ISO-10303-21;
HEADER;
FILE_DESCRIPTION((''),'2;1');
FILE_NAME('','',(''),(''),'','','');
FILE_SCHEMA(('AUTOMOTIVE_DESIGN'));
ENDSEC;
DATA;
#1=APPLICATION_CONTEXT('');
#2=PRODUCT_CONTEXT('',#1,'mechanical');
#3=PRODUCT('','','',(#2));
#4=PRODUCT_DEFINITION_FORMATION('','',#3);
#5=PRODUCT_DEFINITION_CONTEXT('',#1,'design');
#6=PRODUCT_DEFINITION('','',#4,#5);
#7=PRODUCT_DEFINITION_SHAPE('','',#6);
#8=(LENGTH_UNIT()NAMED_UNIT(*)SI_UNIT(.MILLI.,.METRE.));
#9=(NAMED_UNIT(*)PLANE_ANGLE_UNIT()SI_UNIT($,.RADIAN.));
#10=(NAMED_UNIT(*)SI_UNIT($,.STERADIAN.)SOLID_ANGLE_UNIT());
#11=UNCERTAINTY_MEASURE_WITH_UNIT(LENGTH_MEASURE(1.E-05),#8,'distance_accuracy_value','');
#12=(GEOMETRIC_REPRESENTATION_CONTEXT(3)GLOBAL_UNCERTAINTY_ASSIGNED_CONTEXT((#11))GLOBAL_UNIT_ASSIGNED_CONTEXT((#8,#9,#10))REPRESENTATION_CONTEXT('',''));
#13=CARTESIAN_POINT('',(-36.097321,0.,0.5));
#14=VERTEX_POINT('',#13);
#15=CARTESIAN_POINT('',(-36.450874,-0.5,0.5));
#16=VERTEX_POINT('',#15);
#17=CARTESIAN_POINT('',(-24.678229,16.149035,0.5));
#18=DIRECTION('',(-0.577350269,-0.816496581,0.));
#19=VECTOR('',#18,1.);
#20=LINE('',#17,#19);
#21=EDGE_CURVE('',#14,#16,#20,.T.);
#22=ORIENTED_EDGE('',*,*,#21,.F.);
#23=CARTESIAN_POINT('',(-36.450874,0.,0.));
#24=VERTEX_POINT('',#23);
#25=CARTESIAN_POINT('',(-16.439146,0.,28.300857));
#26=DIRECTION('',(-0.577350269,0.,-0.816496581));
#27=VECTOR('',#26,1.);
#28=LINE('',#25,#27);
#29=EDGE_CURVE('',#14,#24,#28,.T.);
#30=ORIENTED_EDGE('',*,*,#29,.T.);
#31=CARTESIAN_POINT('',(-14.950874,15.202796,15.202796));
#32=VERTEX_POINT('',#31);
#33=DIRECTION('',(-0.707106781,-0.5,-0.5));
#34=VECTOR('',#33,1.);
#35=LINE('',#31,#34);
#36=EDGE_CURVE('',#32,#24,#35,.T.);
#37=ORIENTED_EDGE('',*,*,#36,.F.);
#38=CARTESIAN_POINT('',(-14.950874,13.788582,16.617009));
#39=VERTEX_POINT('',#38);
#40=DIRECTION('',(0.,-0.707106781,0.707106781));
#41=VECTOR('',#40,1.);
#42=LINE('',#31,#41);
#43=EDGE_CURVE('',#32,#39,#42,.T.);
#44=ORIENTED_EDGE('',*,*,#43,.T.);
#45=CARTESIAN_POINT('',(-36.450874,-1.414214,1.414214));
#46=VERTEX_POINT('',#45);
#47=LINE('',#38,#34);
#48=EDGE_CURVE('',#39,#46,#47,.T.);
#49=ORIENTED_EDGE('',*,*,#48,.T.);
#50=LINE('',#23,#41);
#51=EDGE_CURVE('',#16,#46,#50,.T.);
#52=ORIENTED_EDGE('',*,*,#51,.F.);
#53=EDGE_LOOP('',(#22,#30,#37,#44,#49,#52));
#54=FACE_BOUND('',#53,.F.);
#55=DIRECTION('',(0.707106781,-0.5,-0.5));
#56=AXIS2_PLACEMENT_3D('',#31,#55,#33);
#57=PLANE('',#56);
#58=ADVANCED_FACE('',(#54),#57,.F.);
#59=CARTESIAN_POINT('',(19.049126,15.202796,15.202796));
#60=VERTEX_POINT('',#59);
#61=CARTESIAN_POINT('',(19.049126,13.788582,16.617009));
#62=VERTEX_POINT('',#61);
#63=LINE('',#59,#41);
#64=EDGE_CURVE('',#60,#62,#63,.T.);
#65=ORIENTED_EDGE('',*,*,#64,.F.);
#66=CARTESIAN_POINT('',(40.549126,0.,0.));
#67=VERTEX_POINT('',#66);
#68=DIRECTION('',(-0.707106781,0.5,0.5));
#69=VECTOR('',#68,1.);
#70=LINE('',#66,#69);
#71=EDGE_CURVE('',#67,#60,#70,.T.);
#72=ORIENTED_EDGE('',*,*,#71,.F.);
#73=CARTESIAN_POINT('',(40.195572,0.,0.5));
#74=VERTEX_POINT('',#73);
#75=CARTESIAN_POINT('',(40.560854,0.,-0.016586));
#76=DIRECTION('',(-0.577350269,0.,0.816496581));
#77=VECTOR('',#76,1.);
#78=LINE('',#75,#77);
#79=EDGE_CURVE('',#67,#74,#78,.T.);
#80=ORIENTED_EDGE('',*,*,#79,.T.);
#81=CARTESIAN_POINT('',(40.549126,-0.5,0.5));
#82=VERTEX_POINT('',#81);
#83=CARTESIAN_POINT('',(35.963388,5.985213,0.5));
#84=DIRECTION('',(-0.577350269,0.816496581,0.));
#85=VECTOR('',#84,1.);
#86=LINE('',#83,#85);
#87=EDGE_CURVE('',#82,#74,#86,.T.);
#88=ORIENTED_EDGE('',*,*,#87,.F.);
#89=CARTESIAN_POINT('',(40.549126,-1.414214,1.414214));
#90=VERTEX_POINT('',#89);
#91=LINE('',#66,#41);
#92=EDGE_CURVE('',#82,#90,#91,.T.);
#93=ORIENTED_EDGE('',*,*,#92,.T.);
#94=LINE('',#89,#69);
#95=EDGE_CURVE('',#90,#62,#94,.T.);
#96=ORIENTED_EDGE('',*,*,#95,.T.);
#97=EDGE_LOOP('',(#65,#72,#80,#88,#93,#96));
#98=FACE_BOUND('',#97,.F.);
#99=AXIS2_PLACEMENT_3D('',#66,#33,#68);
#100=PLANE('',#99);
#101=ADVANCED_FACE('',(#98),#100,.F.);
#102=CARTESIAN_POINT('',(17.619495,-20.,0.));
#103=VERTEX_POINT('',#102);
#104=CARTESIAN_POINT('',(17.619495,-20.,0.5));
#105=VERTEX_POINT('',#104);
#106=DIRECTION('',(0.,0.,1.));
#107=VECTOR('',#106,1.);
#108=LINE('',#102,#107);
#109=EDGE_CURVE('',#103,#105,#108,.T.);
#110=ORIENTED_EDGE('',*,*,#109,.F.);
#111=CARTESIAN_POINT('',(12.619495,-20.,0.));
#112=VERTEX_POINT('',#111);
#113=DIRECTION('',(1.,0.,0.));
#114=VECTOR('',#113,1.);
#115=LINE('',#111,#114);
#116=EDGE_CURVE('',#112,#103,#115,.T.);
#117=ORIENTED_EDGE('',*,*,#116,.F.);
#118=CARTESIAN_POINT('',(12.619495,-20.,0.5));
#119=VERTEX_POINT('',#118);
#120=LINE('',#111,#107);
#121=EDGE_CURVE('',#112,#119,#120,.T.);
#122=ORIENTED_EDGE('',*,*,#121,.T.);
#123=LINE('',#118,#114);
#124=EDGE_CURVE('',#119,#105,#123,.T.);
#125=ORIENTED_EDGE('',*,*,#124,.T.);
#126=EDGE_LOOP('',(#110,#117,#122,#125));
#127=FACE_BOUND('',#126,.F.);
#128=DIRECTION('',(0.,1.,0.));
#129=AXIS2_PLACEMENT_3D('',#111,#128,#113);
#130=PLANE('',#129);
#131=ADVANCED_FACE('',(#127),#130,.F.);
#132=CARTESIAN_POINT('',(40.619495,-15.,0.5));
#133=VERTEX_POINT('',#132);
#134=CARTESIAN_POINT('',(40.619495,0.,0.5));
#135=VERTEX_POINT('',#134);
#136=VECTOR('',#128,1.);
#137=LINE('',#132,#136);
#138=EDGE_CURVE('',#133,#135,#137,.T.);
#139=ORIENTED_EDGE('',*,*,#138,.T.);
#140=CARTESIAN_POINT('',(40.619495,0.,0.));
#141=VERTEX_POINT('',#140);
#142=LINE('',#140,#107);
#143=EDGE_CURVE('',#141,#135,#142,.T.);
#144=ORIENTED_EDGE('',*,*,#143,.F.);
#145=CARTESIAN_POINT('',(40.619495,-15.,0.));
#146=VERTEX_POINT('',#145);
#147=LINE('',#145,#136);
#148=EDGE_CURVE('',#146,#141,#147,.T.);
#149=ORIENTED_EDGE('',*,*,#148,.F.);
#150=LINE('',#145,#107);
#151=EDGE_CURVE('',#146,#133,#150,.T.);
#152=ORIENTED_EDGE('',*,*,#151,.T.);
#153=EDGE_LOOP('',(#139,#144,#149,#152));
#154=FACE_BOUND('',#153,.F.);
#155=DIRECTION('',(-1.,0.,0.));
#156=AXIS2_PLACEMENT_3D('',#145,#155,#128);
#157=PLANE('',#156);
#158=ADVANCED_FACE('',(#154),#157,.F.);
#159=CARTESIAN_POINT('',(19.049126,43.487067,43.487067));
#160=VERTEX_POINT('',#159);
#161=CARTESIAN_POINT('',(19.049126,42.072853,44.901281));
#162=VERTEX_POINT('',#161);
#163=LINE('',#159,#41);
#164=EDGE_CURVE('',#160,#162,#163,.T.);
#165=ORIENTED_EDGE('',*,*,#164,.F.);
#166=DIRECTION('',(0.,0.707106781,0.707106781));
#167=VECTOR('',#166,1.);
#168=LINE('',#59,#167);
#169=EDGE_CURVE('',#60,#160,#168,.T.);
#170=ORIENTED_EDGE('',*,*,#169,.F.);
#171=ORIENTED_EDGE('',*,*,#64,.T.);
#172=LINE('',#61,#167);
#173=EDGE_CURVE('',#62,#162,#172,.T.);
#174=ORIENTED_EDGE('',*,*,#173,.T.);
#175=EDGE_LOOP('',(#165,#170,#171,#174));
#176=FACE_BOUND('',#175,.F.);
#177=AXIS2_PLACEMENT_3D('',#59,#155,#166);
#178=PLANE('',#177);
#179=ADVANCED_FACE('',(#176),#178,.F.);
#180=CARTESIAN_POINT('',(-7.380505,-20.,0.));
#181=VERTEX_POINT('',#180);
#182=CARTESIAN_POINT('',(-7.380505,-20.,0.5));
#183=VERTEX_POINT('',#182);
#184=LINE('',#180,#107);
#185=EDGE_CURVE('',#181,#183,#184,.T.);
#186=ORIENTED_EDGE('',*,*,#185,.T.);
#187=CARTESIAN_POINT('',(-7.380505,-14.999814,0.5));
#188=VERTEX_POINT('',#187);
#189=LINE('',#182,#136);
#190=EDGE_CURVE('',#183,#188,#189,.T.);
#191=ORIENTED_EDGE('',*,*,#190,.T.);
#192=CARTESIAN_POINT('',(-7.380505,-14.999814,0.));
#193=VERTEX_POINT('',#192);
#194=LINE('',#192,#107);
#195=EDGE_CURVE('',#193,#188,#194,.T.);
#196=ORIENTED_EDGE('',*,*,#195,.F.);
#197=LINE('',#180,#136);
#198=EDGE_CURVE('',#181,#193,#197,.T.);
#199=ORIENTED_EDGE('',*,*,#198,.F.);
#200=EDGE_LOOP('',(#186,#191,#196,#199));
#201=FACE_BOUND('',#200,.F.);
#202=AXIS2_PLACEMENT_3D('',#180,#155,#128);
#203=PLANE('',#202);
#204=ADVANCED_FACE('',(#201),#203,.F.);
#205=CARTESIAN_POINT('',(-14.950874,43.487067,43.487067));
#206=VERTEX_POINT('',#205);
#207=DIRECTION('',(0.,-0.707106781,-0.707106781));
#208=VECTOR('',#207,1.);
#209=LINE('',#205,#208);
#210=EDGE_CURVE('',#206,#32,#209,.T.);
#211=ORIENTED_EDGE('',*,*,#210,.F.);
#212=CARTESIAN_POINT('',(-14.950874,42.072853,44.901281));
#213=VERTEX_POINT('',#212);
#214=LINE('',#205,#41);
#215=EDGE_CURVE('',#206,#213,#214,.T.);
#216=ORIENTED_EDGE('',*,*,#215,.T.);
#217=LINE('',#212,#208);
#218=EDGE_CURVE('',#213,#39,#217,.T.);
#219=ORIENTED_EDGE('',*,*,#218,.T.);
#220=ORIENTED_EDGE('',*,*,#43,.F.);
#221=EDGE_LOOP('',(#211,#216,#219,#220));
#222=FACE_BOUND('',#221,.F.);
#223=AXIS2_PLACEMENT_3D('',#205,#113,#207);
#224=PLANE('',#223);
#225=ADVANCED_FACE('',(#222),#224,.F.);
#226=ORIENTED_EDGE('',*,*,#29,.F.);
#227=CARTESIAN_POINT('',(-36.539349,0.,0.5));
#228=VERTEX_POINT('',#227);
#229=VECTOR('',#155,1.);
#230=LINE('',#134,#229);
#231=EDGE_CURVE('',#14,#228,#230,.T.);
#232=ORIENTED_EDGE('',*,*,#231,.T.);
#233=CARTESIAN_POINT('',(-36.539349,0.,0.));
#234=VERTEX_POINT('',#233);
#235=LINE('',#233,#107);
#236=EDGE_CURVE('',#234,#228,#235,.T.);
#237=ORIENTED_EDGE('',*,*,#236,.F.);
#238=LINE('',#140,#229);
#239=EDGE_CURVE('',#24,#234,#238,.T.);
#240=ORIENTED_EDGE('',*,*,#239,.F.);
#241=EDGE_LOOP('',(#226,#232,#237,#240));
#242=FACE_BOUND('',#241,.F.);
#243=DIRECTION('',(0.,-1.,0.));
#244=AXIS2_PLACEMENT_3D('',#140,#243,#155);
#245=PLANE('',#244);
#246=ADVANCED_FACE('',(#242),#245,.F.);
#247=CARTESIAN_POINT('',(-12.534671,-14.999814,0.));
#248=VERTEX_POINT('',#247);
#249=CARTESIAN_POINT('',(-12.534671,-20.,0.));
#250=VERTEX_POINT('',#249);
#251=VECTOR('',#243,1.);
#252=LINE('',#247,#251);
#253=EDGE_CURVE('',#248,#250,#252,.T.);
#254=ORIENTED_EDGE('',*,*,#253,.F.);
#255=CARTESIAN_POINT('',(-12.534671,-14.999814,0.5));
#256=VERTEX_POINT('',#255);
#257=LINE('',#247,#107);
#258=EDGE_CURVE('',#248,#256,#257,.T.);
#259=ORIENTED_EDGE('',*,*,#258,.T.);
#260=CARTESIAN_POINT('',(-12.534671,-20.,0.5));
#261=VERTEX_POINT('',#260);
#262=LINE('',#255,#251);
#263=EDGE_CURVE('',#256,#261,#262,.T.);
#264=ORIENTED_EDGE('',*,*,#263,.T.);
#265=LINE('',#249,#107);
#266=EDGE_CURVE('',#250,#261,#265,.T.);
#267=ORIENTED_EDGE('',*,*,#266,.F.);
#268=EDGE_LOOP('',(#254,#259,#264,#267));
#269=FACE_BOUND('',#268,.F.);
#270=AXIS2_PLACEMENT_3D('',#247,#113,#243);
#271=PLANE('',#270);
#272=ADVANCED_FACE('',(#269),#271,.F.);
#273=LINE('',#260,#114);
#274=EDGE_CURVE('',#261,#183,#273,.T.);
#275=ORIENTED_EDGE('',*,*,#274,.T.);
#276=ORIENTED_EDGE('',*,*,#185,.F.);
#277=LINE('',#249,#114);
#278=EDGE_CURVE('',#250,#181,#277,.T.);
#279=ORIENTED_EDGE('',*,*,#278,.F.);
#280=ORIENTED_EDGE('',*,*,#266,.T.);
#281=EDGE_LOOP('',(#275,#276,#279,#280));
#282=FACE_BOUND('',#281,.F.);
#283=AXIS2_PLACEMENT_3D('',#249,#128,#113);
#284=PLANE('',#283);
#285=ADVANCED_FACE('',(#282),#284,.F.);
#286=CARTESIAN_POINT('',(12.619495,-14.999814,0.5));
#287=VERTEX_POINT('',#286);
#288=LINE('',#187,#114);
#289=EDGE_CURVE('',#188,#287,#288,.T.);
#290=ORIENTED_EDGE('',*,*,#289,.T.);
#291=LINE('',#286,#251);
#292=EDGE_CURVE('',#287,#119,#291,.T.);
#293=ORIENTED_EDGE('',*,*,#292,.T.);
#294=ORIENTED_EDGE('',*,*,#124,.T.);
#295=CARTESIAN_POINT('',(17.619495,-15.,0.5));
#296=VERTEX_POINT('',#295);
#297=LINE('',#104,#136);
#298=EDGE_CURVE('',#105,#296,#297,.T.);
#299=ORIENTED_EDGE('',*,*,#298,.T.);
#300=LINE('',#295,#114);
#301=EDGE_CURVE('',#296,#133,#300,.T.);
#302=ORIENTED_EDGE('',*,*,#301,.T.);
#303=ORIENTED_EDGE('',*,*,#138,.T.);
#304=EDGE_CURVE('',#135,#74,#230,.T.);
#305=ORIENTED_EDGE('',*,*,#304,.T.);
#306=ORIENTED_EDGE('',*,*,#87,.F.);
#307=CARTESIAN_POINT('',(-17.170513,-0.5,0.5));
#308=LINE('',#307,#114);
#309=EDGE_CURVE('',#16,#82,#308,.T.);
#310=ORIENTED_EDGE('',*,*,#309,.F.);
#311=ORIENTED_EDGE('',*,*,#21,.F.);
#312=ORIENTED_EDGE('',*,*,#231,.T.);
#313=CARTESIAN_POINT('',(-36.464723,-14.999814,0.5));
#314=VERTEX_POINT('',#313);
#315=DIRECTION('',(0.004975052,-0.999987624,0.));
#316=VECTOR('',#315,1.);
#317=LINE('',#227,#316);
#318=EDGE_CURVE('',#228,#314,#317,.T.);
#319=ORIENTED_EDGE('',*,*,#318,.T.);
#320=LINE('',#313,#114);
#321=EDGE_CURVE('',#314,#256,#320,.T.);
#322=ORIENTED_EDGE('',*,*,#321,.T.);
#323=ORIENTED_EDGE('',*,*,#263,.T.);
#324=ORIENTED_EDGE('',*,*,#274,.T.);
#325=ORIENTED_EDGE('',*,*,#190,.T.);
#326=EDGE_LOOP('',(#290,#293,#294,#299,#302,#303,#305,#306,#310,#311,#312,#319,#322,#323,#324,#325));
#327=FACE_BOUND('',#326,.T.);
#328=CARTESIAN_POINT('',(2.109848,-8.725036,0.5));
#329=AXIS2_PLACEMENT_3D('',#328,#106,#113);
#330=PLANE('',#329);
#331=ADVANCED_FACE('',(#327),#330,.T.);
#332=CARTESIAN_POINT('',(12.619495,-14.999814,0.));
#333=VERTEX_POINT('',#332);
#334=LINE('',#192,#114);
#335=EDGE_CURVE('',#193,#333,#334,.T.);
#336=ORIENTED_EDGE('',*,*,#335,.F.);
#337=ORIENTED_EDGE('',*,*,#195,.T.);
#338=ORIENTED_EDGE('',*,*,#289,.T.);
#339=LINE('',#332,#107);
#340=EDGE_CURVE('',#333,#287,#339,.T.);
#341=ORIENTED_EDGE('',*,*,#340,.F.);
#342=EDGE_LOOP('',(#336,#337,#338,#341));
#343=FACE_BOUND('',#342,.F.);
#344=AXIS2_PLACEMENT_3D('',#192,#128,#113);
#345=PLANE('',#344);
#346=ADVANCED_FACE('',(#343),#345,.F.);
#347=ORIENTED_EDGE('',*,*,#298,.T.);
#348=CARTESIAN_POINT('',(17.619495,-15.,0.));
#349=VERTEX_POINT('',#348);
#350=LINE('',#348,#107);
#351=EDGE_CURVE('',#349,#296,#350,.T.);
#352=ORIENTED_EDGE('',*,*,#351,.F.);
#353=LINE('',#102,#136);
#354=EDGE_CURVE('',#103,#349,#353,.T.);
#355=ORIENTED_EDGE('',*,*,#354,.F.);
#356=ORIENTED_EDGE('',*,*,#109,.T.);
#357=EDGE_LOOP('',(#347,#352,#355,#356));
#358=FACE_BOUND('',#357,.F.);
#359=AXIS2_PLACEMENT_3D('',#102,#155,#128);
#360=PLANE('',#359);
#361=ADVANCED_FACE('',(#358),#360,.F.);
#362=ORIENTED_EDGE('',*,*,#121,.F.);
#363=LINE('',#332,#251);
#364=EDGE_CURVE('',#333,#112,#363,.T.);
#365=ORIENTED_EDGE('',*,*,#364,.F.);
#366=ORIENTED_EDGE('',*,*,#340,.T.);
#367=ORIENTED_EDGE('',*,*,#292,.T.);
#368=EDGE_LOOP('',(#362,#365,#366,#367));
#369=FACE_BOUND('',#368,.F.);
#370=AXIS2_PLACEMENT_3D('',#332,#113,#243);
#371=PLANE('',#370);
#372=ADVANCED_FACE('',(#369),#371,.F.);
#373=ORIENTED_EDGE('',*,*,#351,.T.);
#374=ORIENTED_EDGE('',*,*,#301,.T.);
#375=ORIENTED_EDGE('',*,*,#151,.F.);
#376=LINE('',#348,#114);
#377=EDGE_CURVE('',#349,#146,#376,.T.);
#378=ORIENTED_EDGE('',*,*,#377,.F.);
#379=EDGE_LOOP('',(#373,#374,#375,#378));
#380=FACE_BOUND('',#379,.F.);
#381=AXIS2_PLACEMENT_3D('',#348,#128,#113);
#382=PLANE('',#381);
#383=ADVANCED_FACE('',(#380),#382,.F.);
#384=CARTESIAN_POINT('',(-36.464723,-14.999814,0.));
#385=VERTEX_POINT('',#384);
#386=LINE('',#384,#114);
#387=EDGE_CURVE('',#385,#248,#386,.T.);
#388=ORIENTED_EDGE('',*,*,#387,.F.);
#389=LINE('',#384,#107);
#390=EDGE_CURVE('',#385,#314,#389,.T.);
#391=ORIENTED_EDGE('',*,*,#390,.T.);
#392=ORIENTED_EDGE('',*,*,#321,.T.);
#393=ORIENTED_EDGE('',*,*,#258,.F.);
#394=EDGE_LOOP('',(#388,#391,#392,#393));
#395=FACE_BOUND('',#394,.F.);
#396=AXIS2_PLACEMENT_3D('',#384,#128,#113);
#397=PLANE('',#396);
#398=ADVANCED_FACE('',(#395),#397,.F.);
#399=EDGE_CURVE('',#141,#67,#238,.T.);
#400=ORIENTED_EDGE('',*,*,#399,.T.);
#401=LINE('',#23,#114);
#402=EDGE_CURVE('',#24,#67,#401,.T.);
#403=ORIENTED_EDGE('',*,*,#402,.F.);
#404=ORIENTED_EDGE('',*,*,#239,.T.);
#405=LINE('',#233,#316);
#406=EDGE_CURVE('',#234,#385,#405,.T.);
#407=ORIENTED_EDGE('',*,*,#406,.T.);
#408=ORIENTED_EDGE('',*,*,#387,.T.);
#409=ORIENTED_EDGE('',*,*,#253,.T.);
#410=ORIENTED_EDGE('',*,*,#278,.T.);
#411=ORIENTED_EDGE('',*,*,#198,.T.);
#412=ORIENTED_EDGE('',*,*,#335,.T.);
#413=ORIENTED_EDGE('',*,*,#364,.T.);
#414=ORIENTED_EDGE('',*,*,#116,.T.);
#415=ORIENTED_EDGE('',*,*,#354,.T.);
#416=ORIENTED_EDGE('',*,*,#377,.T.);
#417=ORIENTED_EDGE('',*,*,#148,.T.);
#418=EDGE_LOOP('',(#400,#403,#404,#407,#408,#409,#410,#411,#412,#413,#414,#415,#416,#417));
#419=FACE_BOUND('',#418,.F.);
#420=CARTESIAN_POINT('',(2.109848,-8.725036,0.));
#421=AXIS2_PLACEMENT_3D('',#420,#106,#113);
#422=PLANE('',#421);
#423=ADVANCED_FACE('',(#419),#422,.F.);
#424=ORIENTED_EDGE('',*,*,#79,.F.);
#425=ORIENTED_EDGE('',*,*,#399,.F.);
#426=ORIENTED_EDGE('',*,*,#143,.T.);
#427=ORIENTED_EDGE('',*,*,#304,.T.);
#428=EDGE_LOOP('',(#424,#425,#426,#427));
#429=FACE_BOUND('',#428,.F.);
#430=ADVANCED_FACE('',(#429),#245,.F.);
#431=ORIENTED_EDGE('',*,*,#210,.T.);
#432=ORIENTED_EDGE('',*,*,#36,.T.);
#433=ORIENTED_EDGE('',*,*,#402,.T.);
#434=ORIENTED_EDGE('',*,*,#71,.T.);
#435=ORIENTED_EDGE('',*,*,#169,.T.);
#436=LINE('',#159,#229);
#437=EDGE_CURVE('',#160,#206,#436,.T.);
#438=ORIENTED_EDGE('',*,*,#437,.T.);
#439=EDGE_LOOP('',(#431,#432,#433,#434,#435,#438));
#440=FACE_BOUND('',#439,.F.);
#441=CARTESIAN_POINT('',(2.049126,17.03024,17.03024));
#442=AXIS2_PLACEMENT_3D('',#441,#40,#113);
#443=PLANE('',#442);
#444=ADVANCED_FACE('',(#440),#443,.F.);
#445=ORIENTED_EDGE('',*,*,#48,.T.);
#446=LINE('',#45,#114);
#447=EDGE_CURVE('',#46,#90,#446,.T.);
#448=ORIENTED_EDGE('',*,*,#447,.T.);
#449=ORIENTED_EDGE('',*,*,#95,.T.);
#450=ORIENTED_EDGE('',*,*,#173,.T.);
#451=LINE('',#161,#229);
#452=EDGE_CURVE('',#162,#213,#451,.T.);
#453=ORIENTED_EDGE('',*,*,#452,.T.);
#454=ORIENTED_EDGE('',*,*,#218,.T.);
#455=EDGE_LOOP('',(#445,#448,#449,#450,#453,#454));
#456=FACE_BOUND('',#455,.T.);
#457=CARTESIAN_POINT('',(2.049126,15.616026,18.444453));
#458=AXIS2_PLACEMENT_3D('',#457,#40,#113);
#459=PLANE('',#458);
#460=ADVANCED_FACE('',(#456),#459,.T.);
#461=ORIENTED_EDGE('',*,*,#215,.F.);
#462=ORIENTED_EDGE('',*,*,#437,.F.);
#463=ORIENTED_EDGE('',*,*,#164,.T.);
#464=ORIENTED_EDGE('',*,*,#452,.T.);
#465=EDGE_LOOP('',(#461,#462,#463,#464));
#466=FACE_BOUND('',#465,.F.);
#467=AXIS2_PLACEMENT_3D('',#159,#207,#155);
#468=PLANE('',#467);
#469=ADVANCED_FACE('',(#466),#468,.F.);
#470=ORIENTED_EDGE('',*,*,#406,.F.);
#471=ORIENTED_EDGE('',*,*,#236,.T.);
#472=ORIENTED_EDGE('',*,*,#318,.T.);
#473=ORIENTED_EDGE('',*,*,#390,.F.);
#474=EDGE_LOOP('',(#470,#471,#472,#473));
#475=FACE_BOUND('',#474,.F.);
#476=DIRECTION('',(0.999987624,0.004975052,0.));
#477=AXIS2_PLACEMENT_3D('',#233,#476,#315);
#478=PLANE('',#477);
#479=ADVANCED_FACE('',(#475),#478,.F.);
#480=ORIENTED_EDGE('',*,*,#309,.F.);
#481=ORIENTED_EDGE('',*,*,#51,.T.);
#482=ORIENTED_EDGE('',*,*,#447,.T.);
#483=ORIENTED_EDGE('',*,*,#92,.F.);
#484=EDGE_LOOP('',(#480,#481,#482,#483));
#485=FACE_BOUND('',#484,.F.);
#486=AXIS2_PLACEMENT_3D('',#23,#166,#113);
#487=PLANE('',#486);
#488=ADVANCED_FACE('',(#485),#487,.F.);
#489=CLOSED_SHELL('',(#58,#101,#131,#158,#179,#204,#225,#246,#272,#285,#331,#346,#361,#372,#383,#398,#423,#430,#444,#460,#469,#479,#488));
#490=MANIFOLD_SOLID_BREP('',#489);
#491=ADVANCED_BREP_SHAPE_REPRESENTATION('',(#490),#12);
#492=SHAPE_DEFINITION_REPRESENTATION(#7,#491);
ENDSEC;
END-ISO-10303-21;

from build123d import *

# Parameters (mm, degrees)
F3_DEPTH = 2
F4_DEPTH = 0.5


with BuildPart() as f3:
    # F2 (on face) → F3 (new body)
    with BuildSketch(Plane(origin=(0, 0, 0), x_dir=(1, 0, 0), z_dir=(0, -0.7071067812, 0.7071067812))):
        Polygon((-14.9508744776, 21.5), (-36.4508744776, 0), (40.5491255224, 0), (19.0491255224, 21.5), (19.0491255224, 61.5), (-14.9508744776, 61.5), align=None)
    extrude(amount=F3_DEPTH)

    # F0 (on Top) → F4 (join)
    with BuildSketch(Plane.XY):
        Polygon((40.6194950176, 0), (-36.539348602, 0), (-36.4647228283, -14.9998143653), (-12.5346706987, -14.9998143653), (-12.5346706987, -20), (-7.3805049824, -20), (-7.3805049824, -14.9998143653), (12.6194950176, -14.9998143653), (12.6194950176, -20), (17.6194950176, -20), (17.6194950176, -15), (40.6194950176, -15), align=None)
    extrude(amount=F4_DEPTH)


solid = f3.part
